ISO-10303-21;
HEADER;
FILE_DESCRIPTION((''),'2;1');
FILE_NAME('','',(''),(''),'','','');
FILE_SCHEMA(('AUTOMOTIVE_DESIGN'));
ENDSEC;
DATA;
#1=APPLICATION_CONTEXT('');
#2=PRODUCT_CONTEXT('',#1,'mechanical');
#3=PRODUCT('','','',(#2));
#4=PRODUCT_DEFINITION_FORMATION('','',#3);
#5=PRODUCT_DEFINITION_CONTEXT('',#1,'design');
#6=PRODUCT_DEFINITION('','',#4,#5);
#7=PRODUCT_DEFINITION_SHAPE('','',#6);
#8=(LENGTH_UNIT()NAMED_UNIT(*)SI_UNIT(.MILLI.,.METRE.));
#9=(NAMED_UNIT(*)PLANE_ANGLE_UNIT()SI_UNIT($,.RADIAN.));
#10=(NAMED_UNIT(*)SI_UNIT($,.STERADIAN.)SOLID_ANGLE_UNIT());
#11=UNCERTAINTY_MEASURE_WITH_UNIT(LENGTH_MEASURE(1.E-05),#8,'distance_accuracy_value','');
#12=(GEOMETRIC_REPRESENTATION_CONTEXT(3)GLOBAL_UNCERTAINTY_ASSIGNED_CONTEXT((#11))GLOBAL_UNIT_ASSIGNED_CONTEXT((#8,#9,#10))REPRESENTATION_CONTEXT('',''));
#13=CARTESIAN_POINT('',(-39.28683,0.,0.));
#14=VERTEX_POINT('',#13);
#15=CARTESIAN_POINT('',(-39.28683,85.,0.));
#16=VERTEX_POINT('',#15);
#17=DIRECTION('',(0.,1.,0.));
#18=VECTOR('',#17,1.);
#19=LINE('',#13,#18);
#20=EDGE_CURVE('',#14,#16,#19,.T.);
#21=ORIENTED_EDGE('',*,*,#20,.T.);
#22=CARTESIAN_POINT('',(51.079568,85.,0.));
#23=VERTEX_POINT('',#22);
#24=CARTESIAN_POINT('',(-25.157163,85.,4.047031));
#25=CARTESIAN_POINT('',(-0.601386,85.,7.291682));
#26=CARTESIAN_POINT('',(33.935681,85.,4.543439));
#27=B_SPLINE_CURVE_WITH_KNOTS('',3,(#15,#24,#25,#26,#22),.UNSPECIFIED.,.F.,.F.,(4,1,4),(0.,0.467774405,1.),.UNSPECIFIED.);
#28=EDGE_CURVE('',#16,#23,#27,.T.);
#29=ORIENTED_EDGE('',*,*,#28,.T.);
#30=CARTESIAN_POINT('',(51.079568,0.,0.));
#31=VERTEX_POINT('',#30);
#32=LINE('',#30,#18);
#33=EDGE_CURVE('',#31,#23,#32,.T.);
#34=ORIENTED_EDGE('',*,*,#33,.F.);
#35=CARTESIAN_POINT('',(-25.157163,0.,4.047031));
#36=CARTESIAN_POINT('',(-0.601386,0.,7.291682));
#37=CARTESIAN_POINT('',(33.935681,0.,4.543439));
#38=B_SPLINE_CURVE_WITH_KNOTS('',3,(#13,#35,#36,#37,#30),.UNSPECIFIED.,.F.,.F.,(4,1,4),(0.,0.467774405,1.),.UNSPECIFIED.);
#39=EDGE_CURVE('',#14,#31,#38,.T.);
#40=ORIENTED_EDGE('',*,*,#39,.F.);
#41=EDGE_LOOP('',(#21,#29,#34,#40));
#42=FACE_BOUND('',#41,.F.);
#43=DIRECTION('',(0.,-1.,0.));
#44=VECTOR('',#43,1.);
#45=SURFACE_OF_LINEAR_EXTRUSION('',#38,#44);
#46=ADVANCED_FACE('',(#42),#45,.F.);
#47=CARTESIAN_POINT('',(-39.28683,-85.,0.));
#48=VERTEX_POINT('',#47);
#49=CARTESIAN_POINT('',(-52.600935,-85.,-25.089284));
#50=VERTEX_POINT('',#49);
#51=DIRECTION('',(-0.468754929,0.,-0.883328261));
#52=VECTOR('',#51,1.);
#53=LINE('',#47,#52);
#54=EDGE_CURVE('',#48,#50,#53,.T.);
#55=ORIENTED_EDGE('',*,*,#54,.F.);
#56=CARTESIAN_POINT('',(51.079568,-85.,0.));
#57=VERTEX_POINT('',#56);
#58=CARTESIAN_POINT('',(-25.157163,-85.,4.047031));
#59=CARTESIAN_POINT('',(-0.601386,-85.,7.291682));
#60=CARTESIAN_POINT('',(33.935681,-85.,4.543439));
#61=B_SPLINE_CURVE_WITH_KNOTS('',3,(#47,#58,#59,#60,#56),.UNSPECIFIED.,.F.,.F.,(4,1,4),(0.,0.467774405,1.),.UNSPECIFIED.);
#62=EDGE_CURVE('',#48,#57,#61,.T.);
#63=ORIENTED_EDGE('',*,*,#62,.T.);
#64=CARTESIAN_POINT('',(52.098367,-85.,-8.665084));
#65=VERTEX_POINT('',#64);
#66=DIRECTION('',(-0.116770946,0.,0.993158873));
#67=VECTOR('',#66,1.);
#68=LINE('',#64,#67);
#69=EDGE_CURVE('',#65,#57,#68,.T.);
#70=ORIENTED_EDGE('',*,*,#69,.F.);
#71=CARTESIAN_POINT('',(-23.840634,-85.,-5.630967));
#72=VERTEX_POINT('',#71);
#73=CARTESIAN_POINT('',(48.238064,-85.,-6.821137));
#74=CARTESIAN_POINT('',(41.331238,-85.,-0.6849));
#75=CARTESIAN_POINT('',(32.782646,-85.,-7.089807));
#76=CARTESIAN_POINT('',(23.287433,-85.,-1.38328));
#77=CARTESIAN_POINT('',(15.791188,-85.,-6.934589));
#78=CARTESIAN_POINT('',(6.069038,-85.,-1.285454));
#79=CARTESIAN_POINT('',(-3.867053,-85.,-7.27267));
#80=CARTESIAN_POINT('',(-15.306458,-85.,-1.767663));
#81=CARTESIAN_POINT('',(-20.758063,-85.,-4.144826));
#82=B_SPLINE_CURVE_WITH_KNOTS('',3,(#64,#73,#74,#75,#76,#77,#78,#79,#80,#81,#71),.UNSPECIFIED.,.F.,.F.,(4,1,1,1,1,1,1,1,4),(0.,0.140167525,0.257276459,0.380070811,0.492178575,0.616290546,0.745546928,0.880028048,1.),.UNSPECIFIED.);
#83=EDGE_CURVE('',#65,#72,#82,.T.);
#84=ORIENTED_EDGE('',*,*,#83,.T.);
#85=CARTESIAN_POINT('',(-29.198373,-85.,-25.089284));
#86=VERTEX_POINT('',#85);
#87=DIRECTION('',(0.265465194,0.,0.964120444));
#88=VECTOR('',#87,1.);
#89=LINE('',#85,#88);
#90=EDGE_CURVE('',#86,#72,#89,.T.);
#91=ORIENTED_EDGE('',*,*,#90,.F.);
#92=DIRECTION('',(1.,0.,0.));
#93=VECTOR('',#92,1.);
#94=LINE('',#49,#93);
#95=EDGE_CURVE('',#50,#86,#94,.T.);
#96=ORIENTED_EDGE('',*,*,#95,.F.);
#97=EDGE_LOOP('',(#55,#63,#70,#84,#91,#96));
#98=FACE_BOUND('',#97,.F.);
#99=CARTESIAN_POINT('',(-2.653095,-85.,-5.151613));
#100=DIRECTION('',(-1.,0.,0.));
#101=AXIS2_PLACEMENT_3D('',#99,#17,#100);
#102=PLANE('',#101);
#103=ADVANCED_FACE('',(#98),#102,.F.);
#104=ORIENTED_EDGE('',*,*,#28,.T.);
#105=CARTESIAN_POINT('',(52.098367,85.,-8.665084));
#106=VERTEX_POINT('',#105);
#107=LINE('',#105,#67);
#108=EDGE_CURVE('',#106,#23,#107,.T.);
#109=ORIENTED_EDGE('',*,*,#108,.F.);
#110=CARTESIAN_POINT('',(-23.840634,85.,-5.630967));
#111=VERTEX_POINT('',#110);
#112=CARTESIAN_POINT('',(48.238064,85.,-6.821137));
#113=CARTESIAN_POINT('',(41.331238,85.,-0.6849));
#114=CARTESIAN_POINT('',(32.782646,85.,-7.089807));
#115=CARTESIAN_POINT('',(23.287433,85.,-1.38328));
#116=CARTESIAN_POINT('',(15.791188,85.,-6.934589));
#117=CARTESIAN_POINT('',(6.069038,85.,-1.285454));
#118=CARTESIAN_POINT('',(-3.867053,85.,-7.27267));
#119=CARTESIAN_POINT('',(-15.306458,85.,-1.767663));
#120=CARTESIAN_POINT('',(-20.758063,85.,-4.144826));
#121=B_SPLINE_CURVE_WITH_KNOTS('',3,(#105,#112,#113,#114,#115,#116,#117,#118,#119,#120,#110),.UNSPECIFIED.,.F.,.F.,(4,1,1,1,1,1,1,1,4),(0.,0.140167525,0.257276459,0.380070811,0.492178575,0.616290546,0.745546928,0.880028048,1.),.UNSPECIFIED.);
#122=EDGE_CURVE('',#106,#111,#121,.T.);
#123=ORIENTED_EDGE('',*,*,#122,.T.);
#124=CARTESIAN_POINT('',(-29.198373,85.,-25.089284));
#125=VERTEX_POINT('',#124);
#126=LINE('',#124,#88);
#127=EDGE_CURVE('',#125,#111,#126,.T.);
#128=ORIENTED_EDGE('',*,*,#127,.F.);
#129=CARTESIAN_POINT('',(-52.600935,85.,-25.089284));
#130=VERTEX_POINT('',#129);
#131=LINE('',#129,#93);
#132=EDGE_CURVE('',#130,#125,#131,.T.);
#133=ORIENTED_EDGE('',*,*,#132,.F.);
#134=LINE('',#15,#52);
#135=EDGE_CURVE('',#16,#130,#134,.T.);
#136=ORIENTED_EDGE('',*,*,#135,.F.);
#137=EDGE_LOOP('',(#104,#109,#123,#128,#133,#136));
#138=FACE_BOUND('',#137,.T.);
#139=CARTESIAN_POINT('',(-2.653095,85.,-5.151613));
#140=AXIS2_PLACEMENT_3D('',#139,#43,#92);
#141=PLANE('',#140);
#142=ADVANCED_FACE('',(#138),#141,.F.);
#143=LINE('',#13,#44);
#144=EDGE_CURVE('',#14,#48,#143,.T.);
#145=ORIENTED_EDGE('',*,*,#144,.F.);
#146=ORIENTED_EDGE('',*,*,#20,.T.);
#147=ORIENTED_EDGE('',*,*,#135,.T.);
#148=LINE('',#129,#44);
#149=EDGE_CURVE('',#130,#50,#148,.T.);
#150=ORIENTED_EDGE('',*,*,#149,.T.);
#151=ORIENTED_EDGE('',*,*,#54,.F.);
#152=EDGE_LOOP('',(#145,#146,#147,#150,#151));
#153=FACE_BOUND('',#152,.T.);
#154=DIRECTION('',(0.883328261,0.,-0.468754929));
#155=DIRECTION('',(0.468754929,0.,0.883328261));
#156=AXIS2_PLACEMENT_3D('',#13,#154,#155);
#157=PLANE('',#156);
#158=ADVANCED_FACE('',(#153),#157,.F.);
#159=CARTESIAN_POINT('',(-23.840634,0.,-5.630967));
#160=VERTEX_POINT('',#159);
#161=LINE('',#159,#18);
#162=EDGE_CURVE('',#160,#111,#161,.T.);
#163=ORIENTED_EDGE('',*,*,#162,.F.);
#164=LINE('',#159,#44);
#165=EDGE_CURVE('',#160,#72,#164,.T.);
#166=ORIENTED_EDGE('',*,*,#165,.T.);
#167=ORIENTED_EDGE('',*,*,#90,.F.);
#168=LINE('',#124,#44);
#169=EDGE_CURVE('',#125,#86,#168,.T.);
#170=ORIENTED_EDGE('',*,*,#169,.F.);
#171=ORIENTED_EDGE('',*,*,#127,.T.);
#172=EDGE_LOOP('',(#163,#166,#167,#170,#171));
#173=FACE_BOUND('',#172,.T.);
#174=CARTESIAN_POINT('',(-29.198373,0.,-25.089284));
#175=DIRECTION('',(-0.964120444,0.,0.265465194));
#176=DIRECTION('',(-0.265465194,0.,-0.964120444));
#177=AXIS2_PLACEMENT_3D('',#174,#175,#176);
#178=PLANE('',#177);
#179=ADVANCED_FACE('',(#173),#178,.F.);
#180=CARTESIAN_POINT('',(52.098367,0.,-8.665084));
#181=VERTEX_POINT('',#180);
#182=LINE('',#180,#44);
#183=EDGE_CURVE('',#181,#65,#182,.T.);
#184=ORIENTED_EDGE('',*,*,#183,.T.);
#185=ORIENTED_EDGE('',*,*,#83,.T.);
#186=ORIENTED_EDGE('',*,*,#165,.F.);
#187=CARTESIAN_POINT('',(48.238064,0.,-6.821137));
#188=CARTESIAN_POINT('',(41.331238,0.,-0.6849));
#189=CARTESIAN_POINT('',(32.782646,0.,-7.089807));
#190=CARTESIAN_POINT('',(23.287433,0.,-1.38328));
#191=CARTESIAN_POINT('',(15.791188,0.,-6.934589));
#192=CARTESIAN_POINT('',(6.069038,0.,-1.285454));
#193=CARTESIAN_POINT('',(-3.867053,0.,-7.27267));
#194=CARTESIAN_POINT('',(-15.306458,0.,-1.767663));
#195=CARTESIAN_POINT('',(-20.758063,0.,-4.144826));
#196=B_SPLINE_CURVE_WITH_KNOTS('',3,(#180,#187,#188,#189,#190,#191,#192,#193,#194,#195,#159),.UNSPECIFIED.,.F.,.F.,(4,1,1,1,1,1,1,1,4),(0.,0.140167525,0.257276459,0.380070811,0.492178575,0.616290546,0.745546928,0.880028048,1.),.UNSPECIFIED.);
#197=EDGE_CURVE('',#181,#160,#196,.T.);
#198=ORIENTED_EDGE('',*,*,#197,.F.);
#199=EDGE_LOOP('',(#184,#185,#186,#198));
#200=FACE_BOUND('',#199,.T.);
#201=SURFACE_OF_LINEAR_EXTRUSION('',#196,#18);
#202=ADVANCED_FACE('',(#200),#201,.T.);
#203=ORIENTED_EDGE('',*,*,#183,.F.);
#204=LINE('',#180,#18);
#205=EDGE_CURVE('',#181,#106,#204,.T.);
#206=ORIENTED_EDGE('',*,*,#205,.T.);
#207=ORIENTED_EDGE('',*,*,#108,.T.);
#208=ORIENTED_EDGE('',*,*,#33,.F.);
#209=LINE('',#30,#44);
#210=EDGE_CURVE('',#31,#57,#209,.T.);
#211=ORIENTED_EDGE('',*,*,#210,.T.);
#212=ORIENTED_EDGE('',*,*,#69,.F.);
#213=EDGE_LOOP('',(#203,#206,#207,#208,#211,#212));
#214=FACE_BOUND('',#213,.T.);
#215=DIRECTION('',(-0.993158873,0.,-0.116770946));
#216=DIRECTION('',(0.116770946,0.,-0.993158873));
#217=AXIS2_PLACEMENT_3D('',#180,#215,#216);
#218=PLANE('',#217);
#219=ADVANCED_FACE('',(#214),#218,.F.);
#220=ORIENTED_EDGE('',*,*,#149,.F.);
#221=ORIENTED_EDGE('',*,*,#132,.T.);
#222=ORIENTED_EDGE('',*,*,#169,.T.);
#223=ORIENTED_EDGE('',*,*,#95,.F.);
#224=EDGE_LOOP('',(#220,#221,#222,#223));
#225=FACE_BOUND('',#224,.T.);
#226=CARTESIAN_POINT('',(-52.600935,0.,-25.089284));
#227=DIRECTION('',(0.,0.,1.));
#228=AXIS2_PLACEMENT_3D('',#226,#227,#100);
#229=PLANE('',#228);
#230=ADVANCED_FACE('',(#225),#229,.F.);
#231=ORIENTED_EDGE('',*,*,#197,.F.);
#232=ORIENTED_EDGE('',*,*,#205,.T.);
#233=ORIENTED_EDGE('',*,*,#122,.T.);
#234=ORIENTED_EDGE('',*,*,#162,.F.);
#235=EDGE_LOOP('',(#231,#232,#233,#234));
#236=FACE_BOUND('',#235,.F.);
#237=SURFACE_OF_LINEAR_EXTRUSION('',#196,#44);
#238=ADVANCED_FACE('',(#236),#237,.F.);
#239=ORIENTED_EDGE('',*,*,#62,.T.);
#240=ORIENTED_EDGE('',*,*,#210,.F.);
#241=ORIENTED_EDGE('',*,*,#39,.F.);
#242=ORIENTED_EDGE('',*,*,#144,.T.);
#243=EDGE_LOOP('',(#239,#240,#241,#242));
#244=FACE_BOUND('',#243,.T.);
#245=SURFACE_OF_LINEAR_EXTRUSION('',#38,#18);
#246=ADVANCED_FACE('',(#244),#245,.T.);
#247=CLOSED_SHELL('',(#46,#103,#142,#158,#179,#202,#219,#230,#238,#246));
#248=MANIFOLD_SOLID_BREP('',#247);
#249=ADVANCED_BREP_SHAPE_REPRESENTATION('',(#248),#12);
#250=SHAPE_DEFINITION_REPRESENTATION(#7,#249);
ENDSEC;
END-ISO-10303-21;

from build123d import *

# Parameters (mm, degrees)
F1_DEPTH = 85


with BuildPart() as f1:
    # F0 (on Front) → F1 (new body)
    with BuildSketch(Plane.XZ):
        with BuildLine():
            add(Edge.make_bspline(
                [(-39.2868295312, 0), (-25.1571634283, 4.04703105), (-0.6013855713, 7.291681831), (33.9356810167, 4.5434392678), (51.0795675218, 0)],
                knots=[0, 0, 0, 0, 0.467774405, 1, 1, 1, 1], degree=3))
            Line((-39.2868295312, 0), (-52.6009351015, -25.0892844051))
            Line((-52.6009351015, -25.0892844051), (-29.1983734126, -25.0892844051))
            Line((-29.1983734126, -25.0892844051), (-23.8406341523, -5.6309672073))
            add(Edge.make_bspline(
                [(52.0983673632, -8.6650843732), (48.2380644979, -6.8211370015), (41.3312382458, -0.6849001632), (32.7826460532, -7.0898072849), (23.2874334895, -1.3832802668), (15.7911884757, -6.9345891269), (6.0690380429, -1.2854537223), (-3.867053375, -7.2726700753), (-15.306457835, -1.7676626143), (-20.7580629299, -4.1448259387), (-23.8406341523, -5.6309672073)],
                knots=[0, 0, 0, 0, 0.1401675251, 0.2572764595, 0.3800708112, 0.4921785746, 0.616290546, 0.7455469281, 0.8800280482, 1, 1, 1, 1], degree=3))
            Line((52.0983673632, -8.6650843732), (51.0795675218, 0))
        make_face()
    extrude(amount=F1_DEPTH)

    # F2: F1 across plane


with BuildPart() as f1_1:
    add(f1.part)
    add(f1.part.mirror(Plane.XZ))


solid = f1_1.part
